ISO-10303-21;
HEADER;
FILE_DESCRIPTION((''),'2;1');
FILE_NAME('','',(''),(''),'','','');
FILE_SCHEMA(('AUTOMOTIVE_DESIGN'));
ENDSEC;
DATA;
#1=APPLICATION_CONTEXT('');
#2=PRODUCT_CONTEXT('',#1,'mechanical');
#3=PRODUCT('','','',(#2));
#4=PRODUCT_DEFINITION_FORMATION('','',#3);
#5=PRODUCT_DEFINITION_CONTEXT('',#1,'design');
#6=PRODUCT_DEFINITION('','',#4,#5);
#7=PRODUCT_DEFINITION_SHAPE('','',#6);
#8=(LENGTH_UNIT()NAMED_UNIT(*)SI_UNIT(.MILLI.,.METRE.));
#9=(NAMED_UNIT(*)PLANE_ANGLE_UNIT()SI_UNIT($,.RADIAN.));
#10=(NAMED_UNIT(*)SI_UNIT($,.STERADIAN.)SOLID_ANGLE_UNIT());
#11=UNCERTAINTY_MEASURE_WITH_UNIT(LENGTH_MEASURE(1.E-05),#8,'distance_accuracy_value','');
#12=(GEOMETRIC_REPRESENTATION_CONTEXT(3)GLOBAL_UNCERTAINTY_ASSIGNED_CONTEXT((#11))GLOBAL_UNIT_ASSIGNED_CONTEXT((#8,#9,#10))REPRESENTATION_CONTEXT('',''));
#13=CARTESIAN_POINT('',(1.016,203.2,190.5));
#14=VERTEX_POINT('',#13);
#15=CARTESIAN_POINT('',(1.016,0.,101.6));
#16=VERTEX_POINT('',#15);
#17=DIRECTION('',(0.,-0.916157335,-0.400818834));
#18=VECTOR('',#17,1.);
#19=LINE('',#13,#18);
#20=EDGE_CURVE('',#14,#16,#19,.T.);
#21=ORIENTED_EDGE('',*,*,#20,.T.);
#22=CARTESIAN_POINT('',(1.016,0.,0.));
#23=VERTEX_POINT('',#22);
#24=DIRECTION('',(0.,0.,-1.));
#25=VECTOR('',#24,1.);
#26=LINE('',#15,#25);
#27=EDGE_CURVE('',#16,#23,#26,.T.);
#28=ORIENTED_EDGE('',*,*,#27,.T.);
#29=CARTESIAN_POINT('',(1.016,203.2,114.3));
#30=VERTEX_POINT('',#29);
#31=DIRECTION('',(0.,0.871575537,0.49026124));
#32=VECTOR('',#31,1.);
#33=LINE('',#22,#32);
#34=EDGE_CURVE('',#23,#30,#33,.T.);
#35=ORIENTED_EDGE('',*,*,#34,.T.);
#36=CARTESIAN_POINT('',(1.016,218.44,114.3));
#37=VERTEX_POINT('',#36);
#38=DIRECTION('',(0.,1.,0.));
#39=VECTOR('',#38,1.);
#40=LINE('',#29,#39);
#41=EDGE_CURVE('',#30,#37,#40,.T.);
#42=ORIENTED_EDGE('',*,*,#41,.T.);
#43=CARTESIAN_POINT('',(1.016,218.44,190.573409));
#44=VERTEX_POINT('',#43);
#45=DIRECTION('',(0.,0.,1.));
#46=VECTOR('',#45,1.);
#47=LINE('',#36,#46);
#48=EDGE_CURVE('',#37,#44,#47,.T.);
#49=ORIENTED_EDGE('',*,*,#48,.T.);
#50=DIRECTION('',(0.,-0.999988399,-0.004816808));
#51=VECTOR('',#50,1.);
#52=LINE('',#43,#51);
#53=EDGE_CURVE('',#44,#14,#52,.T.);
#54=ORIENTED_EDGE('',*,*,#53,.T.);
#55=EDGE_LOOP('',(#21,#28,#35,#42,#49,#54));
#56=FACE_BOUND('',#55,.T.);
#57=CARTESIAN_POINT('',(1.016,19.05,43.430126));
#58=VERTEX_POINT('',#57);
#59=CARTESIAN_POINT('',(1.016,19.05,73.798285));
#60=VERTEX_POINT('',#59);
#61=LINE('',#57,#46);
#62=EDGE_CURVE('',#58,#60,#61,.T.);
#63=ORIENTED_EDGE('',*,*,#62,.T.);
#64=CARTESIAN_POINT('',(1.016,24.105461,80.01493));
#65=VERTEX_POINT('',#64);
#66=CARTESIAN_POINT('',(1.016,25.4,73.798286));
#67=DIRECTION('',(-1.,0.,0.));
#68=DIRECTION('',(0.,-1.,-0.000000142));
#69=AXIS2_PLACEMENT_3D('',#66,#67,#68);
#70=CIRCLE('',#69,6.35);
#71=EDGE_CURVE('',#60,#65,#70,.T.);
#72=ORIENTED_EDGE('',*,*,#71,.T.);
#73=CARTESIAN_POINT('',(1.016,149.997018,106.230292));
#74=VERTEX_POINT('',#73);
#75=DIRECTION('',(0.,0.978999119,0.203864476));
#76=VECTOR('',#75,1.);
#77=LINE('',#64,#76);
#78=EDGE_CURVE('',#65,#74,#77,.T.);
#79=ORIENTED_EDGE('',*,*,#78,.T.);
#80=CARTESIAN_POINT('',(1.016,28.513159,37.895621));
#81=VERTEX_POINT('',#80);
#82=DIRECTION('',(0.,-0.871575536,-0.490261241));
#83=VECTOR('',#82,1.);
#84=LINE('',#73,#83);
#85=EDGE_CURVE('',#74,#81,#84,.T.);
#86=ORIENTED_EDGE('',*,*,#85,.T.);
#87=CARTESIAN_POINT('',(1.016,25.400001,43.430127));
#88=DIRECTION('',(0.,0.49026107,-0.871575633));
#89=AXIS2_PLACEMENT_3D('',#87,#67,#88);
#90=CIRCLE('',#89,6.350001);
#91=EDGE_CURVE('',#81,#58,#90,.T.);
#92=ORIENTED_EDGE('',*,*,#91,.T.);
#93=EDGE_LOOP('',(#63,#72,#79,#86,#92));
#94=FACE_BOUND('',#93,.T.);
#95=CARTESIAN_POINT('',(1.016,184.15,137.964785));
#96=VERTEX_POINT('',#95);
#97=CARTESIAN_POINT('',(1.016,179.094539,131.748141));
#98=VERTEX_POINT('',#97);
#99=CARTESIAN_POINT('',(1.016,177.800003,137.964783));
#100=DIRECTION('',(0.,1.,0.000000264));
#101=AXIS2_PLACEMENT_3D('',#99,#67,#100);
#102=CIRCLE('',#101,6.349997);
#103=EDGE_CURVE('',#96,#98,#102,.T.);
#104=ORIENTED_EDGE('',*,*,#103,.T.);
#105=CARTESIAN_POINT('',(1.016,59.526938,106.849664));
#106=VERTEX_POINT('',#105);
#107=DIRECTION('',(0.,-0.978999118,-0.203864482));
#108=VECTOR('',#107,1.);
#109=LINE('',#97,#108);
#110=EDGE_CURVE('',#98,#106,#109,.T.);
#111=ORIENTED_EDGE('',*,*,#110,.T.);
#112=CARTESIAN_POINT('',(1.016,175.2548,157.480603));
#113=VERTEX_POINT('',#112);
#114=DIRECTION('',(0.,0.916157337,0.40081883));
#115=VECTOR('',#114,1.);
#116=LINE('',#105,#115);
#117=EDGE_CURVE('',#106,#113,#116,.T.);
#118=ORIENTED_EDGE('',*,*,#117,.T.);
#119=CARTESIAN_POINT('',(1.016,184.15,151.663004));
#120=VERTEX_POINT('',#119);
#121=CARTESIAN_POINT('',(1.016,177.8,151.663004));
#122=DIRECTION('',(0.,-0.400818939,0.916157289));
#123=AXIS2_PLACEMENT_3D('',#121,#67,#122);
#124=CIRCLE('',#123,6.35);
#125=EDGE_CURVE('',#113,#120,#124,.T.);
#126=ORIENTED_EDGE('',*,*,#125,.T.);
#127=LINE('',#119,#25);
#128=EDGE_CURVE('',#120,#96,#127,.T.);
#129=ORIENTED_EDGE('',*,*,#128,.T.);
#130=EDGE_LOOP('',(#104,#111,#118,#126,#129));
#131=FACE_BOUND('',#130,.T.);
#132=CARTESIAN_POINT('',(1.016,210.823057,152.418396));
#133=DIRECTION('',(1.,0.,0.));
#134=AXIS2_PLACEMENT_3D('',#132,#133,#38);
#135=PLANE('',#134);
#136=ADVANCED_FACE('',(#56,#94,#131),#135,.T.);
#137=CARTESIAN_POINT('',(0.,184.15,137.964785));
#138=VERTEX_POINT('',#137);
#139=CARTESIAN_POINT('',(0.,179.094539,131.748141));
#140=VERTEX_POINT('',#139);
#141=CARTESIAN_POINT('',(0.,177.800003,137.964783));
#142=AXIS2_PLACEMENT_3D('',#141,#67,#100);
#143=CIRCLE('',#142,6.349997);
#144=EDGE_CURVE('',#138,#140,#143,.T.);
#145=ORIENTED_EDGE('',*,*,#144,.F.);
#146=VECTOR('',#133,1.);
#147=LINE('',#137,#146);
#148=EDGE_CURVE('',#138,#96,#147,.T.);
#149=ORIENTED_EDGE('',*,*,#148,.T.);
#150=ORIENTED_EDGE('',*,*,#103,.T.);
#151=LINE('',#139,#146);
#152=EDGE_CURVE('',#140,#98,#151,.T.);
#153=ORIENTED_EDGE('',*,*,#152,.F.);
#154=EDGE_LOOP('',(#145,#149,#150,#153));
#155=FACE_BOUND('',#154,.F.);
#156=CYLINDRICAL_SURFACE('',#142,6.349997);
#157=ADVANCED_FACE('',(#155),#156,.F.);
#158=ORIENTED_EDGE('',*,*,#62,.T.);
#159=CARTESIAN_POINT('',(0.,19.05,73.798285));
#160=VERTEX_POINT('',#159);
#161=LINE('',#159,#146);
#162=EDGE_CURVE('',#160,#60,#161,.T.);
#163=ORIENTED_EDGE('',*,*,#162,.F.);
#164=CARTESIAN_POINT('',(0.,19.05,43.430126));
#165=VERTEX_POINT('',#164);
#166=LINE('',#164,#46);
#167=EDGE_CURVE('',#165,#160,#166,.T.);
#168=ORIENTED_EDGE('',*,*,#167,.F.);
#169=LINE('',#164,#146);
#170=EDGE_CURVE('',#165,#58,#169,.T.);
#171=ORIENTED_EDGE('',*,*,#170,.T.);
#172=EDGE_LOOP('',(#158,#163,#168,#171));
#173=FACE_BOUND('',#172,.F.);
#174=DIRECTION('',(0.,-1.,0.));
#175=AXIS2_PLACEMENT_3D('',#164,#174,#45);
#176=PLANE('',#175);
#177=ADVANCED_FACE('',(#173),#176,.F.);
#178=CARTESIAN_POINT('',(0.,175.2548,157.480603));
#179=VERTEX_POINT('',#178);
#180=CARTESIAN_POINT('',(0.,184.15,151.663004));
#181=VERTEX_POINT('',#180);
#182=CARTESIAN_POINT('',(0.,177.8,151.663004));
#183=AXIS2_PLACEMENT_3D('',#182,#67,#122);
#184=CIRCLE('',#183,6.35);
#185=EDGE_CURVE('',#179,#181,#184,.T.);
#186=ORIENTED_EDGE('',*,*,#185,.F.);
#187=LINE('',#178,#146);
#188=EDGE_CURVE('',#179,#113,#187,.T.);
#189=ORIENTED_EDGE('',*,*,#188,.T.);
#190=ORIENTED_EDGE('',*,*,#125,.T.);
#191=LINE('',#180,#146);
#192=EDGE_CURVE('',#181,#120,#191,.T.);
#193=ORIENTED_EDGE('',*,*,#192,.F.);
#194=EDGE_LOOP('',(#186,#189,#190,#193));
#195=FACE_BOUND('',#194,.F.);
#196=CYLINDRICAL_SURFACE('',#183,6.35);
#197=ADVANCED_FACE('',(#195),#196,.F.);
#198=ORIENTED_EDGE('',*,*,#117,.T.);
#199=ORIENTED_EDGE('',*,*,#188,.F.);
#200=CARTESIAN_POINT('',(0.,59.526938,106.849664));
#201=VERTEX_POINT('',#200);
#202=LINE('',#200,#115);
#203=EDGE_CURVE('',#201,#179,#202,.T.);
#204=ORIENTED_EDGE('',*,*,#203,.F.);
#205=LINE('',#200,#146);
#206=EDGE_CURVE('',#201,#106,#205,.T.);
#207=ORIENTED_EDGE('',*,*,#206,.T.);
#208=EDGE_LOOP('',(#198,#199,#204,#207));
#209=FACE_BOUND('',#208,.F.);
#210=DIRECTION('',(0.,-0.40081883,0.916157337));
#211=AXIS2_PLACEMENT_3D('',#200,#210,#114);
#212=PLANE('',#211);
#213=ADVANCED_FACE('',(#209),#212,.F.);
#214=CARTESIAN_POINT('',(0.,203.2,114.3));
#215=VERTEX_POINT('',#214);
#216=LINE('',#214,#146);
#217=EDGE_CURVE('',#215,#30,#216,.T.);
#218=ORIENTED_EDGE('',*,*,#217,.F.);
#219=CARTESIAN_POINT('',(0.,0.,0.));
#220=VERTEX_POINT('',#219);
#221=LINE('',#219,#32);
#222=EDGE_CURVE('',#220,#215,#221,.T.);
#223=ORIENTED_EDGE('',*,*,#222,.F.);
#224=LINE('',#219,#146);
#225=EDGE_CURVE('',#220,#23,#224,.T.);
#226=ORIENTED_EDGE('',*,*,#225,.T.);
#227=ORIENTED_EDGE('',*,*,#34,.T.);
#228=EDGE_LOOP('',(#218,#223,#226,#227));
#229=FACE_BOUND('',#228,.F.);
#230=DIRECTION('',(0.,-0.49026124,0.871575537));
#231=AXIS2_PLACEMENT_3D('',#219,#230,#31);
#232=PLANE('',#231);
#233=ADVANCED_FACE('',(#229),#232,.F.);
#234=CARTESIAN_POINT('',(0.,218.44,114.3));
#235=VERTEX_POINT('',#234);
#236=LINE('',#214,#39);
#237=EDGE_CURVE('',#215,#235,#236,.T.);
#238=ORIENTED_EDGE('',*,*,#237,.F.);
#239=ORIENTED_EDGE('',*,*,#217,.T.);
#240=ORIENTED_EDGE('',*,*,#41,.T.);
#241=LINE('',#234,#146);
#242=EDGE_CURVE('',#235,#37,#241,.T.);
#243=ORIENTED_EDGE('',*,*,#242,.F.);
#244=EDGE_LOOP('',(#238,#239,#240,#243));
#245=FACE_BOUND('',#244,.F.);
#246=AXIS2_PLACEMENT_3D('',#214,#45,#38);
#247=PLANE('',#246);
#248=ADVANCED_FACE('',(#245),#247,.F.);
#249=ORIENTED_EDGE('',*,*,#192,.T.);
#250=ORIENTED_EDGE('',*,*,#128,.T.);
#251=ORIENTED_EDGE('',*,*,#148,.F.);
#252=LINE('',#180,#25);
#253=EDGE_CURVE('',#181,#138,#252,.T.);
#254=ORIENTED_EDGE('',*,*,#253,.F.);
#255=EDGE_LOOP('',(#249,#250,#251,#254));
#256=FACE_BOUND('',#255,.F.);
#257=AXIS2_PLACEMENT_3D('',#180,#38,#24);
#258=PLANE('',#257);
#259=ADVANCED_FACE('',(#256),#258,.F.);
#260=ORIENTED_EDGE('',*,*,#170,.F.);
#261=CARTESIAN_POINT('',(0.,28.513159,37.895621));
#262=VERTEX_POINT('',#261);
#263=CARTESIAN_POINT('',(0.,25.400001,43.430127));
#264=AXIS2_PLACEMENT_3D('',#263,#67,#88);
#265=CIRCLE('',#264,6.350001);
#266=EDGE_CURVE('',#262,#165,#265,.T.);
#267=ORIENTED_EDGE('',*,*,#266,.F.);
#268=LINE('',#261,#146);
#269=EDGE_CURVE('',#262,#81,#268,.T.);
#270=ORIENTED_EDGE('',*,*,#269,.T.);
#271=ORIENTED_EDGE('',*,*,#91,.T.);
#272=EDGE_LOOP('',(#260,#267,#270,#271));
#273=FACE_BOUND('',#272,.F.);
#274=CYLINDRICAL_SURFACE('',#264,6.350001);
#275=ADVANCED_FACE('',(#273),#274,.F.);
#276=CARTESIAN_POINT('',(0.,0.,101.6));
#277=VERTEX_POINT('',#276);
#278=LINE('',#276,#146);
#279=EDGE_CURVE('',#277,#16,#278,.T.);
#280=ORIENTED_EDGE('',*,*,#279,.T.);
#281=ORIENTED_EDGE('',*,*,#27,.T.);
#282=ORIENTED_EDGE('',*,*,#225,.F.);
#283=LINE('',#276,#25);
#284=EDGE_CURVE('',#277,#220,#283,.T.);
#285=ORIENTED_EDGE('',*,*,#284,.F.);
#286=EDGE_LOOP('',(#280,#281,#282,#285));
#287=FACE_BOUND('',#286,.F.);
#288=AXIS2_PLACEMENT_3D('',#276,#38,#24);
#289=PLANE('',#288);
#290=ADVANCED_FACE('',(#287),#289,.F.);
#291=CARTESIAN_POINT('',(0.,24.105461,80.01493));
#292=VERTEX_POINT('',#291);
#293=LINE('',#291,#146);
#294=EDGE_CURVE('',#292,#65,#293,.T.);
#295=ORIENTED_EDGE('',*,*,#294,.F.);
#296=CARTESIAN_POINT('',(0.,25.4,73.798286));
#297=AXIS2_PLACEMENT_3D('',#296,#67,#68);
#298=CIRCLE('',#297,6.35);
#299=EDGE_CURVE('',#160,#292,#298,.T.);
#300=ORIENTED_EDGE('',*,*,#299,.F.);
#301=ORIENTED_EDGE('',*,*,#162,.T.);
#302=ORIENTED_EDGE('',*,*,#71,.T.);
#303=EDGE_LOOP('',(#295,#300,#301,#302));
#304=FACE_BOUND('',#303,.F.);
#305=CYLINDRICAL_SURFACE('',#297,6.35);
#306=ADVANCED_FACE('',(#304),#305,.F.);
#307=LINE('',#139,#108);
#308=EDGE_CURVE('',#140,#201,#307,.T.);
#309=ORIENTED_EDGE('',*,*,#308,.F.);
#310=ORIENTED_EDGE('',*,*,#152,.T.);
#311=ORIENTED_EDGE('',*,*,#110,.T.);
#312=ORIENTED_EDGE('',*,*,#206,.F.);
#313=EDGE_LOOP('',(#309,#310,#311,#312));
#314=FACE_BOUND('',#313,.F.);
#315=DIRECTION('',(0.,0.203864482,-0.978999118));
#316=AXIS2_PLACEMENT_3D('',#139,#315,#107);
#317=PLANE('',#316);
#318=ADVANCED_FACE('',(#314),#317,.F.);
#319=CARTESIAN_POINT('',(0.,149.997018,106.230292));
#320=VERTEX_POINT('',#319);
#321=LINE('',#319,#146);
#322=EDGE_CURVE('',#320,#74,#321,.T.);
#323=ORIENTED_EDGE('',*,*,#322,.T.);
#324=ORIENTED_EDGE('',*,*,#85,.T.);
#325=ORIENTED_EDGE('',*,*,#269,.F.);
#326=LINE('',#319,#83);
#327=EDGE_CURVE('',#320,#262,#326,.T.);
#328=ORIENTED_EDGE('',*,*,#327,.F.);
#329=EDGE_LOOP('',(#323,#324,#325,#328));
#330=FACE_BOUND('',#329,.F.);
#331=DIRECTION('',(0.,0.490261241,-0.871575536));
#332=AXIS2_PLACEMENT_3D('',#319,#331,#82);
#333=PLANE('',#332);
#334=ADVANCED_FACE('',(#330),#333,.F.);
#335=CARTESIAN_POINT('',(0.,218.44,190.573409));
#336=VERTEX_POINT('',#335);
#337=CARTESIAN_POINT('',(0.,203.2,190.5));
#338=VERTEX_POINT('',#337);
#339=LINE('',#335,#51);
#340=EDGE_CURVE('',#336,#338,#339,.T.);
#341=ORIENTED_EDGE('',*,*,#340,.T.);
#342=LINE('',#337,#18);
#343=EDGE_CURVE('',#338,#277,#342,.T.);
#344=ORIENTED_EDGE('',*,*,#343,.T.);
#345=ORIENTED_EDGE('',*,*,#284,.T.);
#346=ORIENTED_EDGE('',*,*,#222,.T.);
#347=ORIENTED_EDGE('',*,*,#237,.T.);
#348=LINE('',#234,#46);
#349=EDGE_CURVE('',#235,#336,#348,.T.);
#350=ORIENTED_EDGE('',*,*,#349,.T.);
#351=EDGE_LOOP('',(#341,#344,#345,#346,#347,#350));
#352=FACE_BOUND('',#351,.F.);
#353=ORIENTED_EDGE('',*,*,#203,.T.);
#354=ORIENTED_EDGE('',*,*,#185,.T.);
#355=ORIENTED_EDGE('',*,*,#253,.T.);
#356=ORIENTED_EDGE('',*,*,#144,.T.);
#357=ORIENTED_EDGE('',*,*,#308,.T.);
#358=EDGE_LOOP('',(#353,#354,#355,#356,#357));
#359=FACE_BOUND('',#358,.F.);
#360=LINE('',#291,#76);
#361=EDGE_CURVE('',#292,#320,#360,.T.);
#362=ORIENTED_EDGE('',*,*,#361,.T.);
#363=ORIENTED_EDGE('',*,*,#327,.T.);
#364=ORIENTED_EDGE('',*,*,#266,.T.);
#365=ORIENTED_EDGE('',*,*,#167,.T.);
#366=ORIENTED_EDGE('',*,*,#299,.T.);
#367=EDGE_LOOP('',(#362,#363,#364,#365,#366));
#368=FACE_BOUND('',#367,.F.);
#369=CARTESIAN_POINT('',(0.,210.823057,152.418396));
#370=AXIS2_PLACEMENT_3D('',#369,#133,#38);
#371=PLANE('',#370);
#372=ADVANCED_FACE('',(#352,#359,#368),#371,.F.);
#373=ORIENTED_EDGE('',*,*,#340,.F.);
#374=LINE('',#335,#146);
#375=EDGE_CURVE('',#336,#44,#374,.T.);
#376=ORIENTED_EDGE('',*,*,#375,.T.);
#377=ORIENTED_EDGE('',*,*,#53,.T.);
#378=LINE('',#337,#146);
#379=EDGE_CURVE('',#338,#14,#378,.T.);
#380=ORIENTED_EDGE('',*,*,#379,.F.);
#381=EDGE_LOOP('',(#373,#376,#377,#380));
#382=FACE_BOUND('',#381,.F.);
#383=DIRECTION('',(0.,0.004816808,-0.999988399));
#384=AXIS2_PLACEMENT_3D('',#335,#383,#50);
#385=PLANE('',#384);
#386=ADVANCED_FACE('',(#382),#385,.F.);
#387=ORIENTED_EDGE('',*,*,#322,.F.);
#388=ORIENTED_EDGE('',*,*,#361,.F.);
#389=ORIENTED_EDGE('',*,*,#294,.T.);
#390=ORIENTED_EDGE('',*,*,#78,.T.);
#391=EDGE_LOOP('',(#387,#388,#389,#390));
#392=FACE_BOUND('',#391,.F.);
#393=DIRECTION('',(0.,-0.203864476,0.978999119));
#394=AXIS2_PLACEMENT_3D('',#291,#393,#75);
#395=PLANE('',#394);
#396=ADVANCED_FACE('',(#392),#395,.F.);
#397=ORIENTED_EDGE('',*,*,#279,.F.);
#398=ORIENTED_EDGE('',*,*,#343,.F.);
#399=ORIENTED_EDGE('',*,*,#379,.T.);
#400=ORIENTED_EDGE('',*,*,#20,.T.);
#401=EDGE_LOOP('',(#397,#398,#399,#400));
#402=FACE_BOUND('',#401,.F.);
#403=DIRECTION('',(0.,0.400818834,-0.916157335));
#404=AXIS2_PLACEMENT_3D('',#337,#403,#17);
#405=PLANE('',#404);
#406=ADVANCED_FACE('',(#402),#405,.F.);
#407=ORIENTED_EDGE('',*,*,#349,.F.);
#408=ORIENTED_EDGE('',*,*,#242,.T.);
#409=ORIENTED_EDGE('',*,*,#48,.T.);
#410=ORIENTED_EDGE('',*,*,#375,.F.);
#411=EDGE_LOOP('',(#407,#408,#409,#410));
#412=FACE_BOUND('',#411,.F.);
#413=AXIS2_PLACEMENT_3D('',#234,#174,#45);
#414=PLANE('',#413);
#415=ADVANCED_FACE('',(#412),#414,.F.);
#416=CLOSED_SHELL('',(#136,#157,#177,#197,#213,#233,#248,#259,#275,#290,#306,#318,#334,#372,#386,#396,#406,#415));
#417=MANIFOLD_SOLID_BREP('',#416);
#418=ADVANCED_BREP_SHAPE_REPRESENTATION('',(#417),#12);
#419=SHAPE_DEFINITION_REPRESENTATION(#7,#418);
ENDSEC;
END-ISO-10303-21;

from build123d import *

# Parameters (mm, degrees)
F1_DEPTH = 1.016


with BuildPart() as f1:
    # F0 (on Right) → F1 (new body)
    with BuildSketch(Plane.YZ):
        Polygon((203.2, 190.5), (203.2, 114.3), (218.44, 114.3), (218.44, 190.573409), align=None)
        Polygon((0, 101.6), (0, 0), (203.2, 114.3), (203.2, 190.5), align=None)
        with BuildLine():
            Line((149.997018, 106.230292), (28.513159, 37.895621))
            ThreePointArc((28.513159, 37.895621), (22.194229, 37.948746), (19.05, 43.430126))
            Line((19.05, 43.430126), (19.05, 73.798285))
            ThreePointArc((19.05, 73.798285), (20.473397, 77.804666), (24.105461, 80.01493))
            Line((24.105461, 80.01493), (149.997018, 106.230292))
        make_face(mode=Mode.SUBTRACT)
        with BuildLine():
            Line((184.15, 151.663004), (184.15, 137.964785))
            ThreePointArc((184.15, 137.964785), (182.726603, 133.958404), (179.094539, 131.748141))
            Line((179.094539, 131.748141), (59.526938, 106.849664))
            Line((59.526938, 106.849664), (175.2548, 157.480603))
            ThreePointArc((175.2548, 157.480603), (181.275664, 156.977349), (184.15, 151.663004))
        make_face(mode=Mode.SUBTRACT)
    extrude(amount=F1_DEPTH)


solid = f1.part
